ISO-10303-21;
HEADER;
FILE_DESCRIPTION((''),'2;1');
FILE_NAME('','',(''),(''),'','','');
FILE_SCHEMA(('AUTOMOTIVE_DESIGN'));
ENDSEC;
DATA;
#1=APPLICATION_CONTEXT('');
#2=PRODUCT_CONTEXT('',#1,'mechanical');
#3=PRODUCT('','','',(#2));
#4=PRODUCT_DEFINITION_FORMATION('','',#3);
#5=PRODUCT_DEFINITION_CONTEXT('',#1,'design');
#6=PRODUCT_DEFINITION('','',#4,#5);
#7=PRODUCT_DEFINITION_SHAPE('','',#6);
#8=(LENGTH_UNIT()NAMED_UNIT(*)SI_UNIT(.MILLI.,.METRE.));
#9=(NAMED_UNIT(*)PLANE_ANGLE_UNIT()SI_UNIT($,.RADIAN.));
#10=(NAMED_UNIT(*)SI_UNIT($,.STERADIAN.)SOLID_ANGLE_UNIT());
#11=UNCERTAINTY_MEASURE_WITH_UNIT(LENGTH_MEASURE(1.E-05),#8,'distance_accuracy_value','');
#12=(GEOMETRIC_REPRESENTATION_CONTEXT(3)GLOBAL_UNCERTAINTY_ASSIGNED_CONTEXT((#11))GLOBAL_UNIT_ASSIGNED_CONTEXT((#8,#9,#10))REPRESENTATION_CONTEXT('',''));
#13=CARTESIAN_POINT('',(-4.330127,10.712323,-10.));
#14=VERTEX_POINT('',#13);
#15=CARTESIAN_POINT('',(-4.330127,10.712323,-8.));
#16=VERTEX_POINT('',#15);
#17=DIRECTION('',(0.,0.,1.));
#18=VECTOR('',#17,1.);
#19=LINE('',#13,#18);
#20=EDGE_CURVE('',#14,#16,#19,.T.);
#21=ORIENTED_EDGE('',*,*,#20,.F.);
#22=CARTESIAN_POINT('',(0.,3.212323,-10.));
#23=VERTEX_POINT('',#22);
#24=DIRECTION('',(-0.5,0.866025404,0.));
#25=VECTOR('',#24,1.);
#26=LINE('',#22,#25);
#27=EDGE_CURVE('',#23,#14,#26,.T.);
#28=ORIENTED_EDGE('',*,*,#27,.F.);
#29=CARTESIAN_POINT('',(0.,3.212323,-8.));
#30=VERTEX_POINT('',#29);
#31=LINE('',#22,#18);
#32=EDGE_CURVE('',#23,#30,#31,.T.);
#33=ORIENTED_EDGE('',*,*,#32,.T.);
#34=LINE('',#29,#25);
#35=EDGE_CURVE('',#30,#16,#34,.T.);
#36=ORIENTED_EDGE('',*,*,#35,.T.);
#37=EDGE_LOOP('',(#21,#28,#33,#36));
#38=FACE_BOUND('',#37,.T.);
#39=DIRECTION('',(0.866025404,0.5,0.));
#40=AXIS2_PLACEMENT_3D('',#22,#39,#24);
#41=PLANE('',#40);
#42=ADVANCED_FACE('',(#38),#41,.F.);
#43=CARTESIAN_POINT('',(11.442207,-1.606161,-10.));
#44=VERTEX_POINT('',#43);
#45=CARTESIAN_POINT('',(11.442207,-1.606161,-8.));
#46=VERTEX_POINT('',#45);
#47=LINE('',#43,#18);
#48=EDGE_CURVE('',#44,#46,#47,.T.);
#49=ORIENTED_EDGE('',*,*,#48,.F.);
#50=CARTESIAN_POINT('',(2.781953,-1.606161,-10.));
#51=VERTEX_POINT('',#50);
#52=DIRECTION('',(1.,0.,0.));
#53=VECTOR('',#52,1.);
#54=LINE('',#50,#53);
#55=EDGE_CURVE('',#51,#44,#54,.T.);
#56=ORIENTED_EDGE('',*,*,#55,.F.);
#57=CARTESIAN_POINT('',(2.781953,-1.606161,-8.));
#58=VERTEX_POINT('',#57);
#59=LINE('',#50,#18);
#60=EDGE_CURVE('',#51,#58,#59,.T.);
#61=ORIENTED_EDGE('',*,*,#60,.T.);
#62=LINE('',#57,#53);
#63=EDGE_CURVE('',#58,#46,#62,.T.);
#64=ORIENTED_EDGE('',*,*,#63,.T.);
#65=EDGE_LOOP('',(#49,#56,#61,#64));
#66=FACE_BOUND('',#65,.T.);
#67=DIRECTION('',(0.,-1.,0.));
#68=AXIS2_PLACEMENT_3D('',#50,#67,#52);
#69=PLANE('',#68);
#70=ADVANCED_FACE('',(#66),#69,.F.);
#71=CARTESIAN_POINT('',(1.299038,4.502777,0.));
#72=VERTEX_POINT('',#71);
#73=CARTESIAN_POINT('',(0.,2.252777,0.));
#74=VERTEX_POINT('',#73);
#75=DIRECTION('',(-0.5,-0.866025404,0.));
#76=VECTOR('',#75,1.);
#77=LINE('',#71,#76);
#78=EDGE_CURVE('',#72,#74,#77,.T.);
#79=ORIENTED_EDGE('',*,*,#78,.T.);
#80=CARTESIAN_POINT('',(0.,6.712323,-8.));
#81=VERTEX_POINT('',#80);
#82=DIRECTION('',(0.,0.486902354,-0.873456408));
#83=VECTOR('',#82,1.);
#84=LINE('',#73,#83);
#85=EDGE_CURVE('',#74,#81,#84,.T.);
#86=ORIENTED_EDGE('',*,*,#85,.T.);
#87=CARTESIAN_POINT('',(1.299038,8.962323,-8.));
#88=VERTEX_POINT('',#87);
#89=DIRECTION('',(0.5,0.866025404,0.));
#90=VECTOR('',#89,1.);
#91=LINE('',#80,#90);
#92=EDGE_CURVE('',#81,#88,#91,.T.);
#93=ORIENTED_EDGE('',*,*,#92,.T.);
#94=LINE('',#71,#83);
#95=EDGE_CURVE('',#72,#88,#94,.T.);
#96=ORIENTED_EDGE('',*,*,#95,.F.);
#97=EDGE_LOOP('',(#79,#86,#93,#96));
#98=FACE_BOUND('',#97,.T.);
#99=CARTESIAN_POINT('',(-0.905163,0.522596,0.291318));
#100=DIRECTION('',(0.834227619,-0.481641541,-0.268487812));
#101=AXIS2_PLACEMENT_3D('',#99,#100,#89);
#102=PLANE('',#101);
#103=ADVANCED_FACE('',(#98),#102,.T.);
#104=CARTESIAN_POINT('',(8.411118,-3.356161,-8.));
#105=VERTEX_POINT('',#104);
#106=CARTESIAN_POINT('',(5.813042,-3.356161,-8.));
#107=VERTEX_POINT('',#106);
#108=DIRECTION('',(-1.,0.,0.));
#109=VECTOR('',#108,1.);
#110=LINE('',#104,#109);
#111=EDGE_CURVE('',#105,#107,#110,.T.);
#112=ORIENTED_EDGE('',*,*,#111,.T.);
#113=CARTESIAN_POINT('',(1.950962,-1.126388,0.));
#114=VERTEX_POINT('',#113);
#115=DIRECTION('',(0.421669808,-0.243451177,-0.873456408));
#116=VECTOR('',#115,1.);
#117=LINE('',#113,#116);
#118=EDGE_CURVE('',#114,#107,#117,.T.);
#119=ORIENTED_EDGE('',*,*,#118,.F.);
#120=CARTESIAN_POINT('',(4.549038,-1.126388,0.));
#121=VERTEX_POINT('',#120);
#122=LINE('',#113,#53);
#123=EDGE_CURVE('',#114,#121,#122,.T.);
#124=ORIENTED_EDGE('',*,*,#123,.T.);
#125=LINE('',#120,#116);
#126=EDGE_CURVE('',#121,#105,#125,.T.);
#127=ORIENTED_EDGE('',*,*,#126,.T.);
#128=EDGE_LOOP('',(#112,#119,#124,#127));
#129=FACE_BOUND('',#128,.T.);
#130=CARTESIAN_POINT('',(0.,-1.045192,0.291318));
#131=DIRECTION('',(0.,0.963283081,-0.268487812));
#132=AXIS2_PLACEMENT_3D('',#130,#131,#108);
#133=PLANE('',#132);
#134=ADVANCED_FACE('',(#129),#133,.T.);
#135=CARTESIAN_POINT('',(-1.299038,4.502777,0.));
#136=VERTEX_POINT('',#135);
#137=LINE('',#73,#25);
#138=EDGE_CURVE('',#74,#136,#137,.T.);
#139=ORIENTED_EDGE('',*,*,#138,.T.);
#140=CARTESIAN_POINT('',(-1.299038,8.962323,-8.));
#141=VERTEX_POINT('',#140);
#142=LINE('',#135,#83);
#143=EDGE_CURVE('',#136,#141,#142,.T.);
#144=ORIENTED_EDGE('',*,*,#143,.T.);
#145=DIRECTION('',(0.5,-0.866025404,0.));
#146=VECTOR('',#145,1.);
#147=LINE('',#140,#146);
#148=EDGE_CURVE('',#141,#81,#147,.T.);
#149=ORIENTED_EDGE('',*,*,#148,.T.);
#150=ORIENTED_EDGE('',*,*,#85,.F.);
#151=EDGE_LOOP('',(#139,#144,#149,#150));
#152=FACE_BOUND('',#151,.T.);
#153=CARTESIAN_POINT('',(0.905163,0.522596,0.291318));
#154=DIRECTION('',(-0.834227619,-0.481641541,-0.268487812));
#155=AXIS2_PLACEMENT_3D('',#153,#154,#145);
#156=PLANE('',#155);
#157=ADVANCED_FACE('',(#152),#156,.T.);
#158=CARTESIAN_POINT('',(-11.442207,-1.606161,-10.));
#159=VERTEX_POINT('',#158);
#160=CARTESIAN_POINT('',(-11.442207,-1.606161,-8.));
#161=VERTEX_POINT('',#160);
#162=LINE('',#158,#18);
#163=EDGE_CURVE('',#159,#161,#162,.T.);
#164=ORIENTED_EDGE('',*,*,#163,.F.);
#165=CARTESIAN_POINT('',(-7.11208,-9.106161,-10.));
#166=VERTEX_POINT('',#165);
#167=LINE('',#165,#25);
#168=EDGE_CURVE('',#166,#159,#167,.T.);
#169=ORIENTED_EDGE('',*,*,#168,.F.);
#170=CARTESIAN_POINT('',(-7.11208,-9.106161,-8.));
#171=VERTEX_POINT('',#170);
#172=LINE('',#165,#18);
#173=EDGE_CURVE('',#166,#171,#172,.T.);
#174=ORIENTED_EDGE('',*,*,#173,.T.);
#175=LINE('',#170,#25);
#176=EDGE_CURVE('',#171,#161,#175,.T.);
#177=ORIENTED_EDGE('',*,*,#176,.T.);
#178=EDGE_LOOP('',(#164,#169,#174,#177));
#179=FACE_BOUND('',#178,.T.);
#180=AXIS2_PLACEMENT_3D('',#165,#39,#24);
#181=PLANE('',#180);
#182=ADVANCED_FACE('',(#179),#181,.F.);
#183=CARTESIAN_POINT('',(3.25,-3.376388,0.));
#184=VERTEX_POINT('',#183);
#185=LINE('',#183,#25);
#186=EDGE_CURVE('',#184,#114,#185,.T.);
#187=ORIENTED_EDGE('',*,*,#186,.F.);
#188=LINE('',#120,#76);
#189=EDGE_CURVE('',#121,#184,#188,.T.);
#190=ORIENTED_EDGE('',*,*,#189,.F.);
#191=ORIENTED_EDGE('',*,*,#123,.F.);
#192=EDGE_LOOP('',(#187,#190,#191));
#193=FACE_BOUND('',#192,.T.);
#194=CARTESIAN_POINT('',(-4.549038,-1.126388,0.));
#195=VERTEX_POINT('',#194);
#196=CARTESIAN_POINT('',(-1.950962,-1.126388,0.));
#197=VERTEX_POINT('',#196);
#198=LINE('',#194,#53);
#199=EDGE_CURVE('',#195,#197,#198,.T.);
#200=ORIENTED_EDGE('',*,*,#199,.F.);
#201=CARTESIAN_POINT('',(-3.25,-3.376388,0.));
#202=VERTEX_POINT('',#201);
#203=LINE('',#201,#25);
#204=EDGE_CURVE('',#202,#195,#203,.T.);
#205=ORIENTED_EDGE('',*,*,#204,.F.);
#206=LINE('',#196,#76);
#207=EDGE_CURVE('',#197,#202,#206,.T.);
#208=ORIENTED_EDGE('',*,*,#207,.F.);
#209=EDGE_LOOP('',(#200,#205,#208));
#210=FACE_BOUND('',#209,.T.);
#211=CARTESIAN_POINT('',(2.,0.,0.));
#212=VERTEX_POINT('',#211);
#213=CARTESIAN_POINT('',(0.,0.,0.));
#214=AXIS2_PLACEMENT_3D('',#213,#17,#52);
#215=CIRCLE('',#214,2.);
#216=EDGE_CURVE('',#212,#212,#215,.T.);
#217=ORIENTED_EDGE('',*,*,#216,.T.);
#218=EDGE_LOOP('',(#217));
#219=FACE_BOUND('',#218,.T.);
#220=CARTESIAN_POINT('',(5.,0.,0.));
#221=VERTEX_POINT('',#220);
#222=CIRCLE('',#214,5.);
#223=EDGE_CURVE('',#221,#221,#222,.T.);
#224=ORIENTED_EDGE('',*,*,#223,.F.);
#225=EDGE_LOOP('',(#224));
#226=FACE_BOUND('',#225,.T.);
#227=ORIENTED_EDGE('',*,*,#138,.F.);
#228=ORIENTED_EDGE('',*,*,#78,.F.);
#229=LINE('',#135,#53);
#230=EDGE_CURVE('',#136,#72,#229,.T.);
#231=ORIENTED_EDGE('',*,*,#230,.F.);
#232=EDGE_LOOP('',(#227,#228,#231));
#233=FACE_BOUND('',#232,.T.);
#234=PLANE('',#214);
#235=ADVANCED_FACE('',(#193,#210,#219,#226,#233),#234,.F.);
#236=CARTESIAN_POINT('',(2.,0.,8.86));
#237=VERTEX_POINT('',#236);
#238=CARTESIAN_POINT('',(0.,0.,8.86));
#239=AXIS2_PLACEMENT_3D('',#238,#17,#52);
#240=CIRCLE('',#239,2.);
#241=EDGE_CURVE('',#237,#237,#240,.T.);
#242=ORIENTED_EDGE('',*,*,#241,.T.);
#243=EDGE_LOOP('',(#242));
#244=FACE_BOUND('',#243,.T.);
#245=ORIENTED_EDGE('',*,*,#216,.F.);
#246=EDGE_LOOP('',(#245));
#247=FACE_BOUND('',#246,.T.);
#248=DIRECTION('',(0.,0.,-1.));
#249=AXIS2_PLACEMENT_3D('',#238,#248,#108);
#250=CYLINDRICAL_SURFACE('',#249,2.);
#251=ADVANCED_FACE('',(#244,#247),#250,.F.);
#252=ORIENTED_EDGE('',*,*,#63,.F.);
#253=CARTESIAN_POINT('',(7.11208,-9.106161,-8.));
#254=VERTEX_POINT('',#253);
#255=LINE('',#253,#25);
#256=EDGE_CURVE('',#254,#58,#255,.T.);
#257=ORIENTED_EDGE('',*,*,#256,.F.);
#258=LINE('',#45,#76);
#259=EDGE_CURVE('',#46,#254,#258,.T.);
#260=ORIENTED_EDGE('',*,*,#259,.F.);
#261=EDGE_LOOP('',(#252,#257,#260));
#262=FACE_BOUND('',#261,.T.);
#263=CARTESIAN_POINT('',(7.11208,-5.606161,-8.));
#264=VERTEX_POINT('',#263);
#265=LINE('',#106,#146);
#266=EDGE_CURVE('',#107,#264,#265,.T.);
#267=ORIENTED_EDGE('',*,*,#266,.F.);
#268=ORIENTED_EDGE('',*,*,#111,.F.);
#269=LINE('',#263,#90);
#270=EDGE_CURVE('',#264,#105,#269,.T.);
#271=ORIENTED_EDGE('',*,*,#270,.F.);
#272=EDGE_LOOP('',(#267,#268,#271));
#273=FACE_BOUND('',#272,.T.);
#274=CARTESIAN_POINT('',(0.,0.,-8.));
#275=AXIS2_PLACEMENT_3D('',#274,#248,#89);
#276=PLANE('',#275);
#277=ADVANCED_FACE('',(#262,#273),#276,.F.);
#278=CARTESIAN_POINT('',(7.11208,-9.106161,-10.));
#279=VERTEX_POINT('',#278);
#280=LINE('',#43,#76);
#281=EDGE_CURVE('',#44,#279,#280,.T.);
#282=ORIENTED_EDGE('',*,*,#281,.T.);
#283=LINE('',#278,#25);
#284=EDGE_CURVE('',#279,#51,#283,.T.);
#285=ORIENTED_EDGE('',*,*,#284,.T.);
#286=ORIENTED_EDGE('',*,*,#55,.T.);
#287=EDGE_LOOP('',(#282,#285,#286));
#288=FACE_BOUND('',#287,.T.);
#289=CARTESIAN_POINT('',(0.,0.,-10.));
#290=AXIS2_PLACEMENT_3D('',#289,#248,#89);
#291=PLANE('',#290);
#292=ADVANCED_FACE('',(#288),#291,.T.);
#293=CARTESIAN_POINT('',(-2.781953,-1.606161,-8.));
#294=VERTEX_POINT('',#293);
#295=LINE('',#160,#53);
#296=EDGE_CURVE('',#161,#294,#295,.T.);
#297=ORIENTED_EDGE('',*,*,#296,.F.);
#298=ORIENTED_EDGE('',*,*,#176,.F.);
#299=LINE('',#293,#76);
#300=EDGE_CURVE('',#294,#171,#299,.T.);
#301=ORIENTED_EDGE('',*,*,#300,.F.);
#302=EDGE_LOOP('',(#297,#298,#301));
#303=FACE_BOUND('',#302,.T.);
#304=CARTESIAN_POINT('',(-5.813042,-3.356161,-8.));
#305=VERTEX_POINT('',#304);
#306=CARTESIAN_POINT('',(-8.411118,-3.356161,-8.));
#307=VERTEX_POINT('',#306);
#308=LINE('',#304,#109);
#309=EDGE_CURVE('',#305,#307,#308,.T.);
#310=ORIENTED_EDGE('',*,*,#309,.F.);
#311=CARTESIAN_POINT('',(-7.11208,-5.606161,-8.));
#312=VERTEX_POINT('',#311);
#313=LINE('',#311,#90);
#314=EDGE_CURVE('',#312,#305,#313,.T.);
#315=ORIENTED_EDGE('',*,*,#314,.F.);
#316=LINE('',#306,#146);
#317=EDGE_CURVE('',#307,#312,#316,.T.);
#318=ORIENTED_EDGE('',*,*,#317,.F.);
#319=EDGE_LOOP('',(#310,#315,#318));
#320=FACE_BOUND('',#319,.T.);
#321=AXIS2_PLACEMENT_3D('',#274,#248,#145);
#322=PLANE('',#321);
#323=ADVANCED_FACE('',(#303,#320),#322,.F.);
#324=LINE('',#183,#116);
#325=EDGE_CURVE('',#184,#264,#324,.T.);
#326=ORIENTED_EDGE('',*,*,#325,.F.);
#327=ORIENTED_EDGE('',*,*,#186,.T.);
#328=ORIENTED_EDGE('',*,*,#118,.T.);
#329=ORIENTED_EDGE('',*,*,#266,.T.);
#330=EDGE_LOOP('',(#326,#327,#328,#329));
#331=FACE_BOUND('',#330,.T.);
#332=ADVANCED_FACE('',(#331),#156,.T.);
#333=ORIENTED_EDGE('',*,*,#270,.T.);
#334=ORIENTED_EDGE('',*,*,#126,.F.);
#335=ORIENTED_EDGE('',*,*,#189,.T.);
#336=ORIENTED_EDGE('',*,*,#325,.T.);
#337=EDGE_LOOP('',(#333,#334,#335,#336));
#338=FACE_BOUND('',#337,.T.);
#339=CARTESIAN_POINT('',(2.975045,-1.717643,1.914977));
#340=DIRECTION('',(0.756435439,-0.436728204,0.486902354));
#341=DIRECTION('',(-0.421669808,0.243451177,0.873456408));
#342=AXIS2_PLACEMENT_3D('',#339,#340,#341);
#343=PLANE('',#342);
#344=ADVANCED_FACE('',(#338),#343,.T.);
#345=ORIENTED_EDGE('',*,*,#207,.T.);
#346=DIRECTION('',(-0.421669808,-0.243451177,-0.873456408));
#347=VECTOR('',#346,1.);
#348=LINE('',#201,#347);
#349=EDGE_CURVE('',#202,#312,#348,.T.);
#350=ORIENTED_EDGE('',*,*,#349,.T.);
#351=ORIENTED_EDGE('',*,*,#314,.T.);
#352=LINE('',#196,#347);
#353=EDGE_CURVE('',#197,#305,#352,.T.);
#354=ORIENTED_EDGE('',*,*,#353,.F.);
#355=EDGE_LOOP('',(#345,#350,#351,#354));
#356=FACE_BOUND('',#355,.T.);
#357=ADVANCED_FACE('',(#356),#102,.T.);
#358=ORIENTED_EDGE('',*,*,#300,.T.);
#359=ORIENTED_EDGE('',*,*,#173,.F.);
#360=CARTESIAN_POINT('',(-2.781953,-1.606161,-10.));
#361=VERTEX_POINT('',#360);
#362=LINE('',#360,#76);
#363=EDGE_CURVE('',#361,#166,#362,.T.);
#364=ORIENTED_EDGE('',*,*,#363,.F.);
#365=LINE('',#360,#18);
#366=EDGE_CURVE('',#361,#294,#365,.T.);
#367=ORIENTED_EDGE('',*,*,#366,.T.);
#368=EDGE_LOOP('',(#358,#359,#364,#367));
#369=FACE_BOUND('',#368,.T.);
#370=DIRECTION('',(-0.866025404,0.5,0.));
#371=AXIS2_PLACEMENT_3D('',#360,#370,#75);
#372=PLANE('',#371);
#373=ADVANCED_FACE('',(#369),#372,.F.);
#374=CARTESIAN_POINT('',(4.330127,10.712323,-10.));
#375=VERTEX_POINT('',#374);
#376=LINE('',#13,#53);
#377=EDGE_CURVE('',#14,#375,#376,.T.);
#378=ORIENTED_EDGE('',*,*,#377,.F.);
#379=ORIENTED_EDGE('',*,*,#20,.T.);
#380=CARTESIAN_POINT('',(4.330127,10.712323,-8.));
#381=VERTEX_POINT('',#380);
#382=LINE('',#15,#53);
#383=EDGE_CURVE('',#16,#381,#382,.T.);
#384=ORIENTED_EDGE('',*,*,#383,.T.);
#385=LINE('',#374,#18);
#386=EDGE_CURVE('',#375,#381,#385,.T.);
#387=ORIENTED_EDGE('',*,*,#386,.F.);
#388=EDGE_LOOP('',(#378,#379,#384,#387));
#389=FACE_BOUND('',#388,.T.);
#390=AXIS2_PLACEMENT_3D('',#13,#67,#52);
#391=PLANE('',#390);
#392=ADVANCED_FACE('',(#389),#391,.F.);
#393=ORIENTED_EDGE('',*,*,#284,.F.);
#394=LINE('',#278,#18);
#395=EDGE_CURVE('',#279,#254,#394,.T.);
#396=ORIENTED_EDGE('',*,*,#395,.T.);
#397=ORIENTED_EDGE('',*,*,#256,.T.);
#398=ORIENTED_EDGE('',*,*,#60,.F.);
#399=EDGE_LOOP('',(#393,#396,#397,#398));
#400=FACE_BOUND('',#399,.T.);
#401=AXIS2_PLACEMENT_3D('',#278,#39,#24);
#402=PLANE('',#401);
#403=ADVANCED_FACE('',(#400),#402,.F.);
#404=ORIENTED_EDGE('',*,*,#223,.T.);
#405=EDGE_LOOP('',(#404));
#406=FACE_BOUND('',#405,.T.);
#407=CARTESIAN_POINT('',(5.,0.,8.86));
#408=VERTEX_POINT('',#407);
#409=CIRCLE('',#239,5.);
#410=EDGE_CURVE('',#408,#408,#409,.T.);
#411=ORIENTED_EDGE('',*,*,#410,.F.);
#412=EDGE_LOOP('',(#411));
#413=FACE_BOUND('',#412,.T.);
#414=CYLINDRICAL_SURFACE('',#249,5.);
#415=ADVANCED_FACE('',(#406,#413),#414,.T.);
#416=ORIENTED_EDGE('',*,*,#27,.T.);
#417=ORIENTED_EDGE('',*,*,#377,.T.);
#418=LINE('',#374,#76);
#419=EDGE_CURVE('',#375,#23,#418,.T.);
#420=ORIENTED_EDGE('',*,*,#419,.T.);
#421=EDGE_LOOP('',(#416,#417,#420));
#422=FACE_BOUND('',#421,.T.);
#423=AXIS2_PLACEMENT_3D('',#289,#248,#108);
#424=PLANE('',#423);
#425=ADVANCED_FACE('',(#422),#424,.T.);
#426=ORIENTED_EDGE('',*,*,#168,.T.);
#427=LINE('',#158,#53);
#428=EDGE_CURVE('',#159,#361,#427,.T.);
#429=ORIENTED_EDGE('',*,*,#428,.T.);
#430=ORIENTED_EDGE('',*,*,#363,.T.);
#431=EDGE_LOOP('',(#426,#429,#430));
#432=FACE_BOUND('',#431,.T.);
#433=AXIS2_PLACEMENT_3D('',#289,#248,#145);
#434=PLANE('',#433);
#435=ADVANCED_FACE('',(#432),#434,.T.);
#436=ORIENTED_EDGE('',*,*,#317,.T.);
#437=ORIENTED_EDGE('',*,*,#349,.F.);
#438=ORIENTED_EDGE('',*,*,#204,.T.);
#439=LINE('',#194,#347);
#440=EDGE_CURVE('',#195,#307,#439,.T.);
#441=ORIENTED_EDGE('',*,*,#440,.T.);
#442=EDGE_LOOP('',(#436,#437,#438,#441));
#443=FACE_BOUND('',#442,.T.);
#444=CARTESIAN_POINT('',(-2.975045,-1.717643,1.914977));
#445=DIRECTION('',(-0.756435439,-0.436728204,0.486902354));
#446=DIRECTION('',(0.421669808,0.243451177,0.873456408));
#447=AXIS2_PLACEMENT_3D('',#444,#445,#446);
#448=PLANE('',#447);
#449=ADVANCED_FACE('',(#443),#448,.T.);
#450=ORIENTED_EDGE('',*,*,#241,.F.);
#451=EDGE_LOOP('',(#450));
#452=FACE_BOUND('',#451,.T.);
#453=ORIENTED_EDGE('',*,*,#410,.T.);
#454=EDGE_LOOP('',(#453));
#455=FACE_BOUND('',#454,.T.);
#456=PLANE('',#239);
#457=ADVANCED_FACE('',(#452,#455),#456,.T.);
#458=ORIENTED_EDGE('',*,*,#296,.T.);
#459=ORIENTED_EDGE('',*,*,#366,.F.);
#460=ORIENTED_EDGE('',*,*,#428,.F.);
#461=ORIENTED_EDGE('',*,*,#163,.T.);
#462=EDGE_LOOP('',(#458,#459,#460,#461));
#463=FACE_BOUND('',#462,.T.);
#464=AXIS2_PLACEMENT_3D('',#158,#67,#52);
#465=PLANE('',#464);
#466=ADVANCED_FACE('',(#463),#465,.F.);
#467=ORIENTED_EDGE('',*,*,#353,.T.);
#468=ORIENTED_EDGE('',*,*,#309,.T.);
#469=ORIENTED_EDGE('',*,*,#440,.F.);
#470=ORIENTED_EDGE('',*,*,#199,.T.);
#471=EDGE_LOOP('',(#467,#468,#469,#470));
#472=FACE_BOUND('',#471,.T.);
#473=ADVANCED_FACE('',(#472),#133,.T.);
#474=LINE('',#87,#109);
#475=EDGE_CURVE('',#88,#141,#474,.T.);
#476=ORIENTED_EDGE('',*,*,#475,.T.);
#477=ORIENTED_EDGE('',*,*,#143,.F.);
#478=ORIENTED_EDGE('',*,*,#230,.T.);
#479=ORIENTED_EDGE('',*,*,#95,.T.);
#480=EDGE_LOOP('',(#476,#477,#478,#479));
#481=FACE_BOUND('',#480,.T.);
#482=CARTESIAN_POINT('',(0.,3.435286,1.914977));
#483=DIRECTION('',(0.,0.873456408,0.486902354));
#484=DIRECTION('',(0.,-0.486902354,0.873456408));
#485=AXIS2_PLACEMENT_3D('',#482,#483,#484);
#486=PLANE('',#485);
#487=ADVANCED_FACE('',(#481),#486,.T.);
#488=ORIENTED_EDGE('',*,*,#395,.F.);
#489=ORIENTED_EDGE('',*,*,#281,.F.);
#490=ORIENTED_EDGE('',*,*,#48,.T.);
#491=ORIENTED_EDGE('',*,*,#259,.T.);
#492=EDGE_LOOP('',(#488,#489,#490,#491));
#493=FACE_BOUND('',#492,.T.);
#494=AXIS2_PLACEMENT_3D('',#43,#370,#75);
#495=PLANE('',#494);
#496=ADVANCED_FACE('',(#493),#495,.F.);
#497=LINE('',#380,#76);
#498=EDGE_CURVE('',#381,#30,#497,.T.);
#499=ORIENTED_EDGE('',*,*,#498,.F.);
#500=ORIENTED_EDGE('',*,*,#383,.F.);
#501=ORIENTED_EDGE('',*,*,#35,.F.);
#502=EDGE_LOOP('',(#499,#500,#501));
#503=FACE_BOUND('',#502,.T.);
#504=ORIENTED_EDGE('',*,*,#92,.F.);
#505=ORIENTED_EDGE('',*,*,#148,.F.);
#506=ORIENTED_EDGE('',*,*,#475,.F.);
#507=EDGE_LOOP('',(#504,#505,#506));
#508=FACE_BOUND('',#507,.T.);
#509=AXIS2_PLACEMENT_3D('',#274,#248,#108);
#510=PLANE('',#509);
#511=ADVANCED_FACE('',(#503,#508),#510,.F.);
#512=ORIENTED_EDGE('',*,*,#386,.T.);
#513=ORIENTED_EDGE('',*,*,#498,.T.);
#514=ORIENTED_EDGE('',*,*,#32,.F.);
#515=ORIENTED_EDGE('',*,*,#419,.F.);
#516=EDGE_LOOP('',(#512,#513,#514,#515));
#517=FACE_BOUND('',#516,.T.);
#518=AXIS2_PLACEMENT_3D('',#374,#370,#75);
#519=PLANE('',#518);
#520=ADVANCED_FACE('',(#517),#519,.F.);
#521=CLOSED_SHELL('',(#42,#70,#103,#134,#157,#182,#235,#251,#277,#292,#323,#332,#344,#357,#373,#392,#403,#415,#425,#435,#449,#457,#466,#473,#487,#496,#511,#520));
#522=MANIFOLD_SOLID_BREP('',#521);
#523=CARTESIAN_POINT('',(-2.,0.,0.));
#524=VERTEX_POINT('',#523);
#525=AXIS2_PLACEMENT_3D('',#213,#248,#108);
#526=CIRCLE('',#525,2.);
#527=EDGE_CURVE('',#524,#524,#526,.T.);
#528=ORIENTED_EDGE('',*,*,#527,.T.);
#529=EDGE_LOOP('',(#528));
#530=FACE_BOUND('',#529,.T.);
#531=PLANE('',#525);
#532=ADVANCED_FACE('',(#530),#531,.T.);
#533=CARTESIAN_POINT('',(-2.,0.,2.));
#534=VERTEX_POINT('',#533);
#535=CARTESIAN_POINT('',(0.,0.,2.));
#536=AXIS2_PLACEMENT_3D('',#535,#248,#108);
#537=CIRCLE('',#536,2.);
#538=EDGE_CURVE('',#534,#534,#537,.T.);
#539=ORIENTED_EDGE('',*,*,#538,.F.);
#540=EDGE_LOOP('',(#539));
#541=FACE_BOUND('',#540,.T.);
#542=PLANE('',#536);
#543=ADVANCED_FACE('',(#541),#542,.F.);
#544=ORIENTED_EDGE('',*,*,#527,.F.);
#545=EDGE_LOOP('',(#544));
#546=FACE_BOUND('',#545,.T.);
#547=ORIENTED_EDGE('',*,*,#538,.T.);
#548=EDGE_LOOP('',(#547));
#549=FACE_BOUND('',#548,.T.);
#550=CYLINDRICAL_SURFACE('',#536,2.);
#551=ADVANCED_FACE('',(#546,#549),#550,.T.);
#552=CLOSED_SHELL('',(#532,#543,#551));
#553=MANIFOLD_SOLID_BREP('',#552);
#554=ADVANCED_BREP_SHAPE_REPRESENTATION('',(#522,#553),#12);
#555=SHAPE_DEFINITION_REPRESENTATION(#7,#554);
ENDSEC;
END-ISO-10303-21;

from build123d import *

# Parameters (mm, degrees)
SKETCH_1_R               = 5
SKETCH_1_R_2             = 2
EXTRUDE_1_DEPTH          = 8.86
PATTERN_CIRCULAR_1_COUNT = 3
EXTRUDE_2_DEPTH          = 2
PATTERN_CIRCULAR_2_COUNT = 3
SKETCH_5_R               = 2
EXTRUDE_3_DEPTH          = 2


with BuildPart() as part:
    # 草图1 → 凸台-拉伸1 (new body)
    with BuildSketch(Plane.XY):
        Circle(SKETCH_1_R)
        Circle(SKETCH_1_R_2, mode=Mode.SUBTRACT)
    extrude(amount=EXTRUDE_1_DEPTH)

    # 草图3 → 放样1 section 0
    with BuildSketch(Plane(origin=(0, 0, 0), x_dir=(-1, 0, 0), z_dir=(0, 0, -1))):
        with BuildLine():
            Line((0, 2.25277675), (1.299038106, 4.50277675))
            Line((1.299038106, 4.50277675), (-1.299038106, 4.50277675))
            Line((-1.299038106, 4.50277675), (0, 2.25277675))
        make_face()
    # 草图2 → 放样1 section 1
    with BuildSketch(Plane.XY.offset(-8)):
        with BuildLine():
            Line((0, 6.712322525), (1.299038106, 8.962322525))
            Line((1.299038106, 8.962322525), (-1.299038106, 8.962322525))
            Line((-1.299038106, 8.962322525), (0, 6.712322525))
        make_face()
    loft_1 = loft()

    # 阵列(圆周)1: 放样1 ×3 about axis
    pattern_circular_1_axis = Axis((0, 0, 0), (0, 0, 1))
    for i in range(1, PATTERN_CIRCULAR_1_COUNT):
        add(loft_1.rotate(pattern_circular_1_axis, i * 360 / PATTERN_CIRCULAR_1_COUNT))

    # 草图4 → 凸台-拉伸2 (add)
    with BuildSketch(Plane(origin=(0, 0, -8), x_dir=(-1, 0, 0), z_dir=(0, 0, -1))):
        Polygon((0, 3.212322525), (4.330127019, 10.712322525), (-4.330127019, 10.712322525), align=None)
    extrude_2 = extrude(amount=EXTRUDE_2_DEPTH)

    # 阵列(圆周)2: 凸台-拉伸2 ×3 about axis
    pattern_circular_2_axis = Axis((0, 0, 0), (0, 0, 1))
    for i in range(1, PATTERN_CIRCULAR_2_COUNT):
        add(extrude_2.rotate(pattern_circular_2_axis, i * 360 / PATTERN_CIRCULAR_2_COUNT))


with BuildPart() as body_2:
    # 草图5 → 凸台-拉伸3 (new body)
    with BuildSketch(Plane(origin=(0, 0, 0), x_dir=(-1, 0, 0), z_dir=(0, 0, -1))):
        Circle(SKETCH_5_R)
    extrude(amount=-EXTRUDE_3_DEPTH)


solid = Compound([part.part, body_2.part])
